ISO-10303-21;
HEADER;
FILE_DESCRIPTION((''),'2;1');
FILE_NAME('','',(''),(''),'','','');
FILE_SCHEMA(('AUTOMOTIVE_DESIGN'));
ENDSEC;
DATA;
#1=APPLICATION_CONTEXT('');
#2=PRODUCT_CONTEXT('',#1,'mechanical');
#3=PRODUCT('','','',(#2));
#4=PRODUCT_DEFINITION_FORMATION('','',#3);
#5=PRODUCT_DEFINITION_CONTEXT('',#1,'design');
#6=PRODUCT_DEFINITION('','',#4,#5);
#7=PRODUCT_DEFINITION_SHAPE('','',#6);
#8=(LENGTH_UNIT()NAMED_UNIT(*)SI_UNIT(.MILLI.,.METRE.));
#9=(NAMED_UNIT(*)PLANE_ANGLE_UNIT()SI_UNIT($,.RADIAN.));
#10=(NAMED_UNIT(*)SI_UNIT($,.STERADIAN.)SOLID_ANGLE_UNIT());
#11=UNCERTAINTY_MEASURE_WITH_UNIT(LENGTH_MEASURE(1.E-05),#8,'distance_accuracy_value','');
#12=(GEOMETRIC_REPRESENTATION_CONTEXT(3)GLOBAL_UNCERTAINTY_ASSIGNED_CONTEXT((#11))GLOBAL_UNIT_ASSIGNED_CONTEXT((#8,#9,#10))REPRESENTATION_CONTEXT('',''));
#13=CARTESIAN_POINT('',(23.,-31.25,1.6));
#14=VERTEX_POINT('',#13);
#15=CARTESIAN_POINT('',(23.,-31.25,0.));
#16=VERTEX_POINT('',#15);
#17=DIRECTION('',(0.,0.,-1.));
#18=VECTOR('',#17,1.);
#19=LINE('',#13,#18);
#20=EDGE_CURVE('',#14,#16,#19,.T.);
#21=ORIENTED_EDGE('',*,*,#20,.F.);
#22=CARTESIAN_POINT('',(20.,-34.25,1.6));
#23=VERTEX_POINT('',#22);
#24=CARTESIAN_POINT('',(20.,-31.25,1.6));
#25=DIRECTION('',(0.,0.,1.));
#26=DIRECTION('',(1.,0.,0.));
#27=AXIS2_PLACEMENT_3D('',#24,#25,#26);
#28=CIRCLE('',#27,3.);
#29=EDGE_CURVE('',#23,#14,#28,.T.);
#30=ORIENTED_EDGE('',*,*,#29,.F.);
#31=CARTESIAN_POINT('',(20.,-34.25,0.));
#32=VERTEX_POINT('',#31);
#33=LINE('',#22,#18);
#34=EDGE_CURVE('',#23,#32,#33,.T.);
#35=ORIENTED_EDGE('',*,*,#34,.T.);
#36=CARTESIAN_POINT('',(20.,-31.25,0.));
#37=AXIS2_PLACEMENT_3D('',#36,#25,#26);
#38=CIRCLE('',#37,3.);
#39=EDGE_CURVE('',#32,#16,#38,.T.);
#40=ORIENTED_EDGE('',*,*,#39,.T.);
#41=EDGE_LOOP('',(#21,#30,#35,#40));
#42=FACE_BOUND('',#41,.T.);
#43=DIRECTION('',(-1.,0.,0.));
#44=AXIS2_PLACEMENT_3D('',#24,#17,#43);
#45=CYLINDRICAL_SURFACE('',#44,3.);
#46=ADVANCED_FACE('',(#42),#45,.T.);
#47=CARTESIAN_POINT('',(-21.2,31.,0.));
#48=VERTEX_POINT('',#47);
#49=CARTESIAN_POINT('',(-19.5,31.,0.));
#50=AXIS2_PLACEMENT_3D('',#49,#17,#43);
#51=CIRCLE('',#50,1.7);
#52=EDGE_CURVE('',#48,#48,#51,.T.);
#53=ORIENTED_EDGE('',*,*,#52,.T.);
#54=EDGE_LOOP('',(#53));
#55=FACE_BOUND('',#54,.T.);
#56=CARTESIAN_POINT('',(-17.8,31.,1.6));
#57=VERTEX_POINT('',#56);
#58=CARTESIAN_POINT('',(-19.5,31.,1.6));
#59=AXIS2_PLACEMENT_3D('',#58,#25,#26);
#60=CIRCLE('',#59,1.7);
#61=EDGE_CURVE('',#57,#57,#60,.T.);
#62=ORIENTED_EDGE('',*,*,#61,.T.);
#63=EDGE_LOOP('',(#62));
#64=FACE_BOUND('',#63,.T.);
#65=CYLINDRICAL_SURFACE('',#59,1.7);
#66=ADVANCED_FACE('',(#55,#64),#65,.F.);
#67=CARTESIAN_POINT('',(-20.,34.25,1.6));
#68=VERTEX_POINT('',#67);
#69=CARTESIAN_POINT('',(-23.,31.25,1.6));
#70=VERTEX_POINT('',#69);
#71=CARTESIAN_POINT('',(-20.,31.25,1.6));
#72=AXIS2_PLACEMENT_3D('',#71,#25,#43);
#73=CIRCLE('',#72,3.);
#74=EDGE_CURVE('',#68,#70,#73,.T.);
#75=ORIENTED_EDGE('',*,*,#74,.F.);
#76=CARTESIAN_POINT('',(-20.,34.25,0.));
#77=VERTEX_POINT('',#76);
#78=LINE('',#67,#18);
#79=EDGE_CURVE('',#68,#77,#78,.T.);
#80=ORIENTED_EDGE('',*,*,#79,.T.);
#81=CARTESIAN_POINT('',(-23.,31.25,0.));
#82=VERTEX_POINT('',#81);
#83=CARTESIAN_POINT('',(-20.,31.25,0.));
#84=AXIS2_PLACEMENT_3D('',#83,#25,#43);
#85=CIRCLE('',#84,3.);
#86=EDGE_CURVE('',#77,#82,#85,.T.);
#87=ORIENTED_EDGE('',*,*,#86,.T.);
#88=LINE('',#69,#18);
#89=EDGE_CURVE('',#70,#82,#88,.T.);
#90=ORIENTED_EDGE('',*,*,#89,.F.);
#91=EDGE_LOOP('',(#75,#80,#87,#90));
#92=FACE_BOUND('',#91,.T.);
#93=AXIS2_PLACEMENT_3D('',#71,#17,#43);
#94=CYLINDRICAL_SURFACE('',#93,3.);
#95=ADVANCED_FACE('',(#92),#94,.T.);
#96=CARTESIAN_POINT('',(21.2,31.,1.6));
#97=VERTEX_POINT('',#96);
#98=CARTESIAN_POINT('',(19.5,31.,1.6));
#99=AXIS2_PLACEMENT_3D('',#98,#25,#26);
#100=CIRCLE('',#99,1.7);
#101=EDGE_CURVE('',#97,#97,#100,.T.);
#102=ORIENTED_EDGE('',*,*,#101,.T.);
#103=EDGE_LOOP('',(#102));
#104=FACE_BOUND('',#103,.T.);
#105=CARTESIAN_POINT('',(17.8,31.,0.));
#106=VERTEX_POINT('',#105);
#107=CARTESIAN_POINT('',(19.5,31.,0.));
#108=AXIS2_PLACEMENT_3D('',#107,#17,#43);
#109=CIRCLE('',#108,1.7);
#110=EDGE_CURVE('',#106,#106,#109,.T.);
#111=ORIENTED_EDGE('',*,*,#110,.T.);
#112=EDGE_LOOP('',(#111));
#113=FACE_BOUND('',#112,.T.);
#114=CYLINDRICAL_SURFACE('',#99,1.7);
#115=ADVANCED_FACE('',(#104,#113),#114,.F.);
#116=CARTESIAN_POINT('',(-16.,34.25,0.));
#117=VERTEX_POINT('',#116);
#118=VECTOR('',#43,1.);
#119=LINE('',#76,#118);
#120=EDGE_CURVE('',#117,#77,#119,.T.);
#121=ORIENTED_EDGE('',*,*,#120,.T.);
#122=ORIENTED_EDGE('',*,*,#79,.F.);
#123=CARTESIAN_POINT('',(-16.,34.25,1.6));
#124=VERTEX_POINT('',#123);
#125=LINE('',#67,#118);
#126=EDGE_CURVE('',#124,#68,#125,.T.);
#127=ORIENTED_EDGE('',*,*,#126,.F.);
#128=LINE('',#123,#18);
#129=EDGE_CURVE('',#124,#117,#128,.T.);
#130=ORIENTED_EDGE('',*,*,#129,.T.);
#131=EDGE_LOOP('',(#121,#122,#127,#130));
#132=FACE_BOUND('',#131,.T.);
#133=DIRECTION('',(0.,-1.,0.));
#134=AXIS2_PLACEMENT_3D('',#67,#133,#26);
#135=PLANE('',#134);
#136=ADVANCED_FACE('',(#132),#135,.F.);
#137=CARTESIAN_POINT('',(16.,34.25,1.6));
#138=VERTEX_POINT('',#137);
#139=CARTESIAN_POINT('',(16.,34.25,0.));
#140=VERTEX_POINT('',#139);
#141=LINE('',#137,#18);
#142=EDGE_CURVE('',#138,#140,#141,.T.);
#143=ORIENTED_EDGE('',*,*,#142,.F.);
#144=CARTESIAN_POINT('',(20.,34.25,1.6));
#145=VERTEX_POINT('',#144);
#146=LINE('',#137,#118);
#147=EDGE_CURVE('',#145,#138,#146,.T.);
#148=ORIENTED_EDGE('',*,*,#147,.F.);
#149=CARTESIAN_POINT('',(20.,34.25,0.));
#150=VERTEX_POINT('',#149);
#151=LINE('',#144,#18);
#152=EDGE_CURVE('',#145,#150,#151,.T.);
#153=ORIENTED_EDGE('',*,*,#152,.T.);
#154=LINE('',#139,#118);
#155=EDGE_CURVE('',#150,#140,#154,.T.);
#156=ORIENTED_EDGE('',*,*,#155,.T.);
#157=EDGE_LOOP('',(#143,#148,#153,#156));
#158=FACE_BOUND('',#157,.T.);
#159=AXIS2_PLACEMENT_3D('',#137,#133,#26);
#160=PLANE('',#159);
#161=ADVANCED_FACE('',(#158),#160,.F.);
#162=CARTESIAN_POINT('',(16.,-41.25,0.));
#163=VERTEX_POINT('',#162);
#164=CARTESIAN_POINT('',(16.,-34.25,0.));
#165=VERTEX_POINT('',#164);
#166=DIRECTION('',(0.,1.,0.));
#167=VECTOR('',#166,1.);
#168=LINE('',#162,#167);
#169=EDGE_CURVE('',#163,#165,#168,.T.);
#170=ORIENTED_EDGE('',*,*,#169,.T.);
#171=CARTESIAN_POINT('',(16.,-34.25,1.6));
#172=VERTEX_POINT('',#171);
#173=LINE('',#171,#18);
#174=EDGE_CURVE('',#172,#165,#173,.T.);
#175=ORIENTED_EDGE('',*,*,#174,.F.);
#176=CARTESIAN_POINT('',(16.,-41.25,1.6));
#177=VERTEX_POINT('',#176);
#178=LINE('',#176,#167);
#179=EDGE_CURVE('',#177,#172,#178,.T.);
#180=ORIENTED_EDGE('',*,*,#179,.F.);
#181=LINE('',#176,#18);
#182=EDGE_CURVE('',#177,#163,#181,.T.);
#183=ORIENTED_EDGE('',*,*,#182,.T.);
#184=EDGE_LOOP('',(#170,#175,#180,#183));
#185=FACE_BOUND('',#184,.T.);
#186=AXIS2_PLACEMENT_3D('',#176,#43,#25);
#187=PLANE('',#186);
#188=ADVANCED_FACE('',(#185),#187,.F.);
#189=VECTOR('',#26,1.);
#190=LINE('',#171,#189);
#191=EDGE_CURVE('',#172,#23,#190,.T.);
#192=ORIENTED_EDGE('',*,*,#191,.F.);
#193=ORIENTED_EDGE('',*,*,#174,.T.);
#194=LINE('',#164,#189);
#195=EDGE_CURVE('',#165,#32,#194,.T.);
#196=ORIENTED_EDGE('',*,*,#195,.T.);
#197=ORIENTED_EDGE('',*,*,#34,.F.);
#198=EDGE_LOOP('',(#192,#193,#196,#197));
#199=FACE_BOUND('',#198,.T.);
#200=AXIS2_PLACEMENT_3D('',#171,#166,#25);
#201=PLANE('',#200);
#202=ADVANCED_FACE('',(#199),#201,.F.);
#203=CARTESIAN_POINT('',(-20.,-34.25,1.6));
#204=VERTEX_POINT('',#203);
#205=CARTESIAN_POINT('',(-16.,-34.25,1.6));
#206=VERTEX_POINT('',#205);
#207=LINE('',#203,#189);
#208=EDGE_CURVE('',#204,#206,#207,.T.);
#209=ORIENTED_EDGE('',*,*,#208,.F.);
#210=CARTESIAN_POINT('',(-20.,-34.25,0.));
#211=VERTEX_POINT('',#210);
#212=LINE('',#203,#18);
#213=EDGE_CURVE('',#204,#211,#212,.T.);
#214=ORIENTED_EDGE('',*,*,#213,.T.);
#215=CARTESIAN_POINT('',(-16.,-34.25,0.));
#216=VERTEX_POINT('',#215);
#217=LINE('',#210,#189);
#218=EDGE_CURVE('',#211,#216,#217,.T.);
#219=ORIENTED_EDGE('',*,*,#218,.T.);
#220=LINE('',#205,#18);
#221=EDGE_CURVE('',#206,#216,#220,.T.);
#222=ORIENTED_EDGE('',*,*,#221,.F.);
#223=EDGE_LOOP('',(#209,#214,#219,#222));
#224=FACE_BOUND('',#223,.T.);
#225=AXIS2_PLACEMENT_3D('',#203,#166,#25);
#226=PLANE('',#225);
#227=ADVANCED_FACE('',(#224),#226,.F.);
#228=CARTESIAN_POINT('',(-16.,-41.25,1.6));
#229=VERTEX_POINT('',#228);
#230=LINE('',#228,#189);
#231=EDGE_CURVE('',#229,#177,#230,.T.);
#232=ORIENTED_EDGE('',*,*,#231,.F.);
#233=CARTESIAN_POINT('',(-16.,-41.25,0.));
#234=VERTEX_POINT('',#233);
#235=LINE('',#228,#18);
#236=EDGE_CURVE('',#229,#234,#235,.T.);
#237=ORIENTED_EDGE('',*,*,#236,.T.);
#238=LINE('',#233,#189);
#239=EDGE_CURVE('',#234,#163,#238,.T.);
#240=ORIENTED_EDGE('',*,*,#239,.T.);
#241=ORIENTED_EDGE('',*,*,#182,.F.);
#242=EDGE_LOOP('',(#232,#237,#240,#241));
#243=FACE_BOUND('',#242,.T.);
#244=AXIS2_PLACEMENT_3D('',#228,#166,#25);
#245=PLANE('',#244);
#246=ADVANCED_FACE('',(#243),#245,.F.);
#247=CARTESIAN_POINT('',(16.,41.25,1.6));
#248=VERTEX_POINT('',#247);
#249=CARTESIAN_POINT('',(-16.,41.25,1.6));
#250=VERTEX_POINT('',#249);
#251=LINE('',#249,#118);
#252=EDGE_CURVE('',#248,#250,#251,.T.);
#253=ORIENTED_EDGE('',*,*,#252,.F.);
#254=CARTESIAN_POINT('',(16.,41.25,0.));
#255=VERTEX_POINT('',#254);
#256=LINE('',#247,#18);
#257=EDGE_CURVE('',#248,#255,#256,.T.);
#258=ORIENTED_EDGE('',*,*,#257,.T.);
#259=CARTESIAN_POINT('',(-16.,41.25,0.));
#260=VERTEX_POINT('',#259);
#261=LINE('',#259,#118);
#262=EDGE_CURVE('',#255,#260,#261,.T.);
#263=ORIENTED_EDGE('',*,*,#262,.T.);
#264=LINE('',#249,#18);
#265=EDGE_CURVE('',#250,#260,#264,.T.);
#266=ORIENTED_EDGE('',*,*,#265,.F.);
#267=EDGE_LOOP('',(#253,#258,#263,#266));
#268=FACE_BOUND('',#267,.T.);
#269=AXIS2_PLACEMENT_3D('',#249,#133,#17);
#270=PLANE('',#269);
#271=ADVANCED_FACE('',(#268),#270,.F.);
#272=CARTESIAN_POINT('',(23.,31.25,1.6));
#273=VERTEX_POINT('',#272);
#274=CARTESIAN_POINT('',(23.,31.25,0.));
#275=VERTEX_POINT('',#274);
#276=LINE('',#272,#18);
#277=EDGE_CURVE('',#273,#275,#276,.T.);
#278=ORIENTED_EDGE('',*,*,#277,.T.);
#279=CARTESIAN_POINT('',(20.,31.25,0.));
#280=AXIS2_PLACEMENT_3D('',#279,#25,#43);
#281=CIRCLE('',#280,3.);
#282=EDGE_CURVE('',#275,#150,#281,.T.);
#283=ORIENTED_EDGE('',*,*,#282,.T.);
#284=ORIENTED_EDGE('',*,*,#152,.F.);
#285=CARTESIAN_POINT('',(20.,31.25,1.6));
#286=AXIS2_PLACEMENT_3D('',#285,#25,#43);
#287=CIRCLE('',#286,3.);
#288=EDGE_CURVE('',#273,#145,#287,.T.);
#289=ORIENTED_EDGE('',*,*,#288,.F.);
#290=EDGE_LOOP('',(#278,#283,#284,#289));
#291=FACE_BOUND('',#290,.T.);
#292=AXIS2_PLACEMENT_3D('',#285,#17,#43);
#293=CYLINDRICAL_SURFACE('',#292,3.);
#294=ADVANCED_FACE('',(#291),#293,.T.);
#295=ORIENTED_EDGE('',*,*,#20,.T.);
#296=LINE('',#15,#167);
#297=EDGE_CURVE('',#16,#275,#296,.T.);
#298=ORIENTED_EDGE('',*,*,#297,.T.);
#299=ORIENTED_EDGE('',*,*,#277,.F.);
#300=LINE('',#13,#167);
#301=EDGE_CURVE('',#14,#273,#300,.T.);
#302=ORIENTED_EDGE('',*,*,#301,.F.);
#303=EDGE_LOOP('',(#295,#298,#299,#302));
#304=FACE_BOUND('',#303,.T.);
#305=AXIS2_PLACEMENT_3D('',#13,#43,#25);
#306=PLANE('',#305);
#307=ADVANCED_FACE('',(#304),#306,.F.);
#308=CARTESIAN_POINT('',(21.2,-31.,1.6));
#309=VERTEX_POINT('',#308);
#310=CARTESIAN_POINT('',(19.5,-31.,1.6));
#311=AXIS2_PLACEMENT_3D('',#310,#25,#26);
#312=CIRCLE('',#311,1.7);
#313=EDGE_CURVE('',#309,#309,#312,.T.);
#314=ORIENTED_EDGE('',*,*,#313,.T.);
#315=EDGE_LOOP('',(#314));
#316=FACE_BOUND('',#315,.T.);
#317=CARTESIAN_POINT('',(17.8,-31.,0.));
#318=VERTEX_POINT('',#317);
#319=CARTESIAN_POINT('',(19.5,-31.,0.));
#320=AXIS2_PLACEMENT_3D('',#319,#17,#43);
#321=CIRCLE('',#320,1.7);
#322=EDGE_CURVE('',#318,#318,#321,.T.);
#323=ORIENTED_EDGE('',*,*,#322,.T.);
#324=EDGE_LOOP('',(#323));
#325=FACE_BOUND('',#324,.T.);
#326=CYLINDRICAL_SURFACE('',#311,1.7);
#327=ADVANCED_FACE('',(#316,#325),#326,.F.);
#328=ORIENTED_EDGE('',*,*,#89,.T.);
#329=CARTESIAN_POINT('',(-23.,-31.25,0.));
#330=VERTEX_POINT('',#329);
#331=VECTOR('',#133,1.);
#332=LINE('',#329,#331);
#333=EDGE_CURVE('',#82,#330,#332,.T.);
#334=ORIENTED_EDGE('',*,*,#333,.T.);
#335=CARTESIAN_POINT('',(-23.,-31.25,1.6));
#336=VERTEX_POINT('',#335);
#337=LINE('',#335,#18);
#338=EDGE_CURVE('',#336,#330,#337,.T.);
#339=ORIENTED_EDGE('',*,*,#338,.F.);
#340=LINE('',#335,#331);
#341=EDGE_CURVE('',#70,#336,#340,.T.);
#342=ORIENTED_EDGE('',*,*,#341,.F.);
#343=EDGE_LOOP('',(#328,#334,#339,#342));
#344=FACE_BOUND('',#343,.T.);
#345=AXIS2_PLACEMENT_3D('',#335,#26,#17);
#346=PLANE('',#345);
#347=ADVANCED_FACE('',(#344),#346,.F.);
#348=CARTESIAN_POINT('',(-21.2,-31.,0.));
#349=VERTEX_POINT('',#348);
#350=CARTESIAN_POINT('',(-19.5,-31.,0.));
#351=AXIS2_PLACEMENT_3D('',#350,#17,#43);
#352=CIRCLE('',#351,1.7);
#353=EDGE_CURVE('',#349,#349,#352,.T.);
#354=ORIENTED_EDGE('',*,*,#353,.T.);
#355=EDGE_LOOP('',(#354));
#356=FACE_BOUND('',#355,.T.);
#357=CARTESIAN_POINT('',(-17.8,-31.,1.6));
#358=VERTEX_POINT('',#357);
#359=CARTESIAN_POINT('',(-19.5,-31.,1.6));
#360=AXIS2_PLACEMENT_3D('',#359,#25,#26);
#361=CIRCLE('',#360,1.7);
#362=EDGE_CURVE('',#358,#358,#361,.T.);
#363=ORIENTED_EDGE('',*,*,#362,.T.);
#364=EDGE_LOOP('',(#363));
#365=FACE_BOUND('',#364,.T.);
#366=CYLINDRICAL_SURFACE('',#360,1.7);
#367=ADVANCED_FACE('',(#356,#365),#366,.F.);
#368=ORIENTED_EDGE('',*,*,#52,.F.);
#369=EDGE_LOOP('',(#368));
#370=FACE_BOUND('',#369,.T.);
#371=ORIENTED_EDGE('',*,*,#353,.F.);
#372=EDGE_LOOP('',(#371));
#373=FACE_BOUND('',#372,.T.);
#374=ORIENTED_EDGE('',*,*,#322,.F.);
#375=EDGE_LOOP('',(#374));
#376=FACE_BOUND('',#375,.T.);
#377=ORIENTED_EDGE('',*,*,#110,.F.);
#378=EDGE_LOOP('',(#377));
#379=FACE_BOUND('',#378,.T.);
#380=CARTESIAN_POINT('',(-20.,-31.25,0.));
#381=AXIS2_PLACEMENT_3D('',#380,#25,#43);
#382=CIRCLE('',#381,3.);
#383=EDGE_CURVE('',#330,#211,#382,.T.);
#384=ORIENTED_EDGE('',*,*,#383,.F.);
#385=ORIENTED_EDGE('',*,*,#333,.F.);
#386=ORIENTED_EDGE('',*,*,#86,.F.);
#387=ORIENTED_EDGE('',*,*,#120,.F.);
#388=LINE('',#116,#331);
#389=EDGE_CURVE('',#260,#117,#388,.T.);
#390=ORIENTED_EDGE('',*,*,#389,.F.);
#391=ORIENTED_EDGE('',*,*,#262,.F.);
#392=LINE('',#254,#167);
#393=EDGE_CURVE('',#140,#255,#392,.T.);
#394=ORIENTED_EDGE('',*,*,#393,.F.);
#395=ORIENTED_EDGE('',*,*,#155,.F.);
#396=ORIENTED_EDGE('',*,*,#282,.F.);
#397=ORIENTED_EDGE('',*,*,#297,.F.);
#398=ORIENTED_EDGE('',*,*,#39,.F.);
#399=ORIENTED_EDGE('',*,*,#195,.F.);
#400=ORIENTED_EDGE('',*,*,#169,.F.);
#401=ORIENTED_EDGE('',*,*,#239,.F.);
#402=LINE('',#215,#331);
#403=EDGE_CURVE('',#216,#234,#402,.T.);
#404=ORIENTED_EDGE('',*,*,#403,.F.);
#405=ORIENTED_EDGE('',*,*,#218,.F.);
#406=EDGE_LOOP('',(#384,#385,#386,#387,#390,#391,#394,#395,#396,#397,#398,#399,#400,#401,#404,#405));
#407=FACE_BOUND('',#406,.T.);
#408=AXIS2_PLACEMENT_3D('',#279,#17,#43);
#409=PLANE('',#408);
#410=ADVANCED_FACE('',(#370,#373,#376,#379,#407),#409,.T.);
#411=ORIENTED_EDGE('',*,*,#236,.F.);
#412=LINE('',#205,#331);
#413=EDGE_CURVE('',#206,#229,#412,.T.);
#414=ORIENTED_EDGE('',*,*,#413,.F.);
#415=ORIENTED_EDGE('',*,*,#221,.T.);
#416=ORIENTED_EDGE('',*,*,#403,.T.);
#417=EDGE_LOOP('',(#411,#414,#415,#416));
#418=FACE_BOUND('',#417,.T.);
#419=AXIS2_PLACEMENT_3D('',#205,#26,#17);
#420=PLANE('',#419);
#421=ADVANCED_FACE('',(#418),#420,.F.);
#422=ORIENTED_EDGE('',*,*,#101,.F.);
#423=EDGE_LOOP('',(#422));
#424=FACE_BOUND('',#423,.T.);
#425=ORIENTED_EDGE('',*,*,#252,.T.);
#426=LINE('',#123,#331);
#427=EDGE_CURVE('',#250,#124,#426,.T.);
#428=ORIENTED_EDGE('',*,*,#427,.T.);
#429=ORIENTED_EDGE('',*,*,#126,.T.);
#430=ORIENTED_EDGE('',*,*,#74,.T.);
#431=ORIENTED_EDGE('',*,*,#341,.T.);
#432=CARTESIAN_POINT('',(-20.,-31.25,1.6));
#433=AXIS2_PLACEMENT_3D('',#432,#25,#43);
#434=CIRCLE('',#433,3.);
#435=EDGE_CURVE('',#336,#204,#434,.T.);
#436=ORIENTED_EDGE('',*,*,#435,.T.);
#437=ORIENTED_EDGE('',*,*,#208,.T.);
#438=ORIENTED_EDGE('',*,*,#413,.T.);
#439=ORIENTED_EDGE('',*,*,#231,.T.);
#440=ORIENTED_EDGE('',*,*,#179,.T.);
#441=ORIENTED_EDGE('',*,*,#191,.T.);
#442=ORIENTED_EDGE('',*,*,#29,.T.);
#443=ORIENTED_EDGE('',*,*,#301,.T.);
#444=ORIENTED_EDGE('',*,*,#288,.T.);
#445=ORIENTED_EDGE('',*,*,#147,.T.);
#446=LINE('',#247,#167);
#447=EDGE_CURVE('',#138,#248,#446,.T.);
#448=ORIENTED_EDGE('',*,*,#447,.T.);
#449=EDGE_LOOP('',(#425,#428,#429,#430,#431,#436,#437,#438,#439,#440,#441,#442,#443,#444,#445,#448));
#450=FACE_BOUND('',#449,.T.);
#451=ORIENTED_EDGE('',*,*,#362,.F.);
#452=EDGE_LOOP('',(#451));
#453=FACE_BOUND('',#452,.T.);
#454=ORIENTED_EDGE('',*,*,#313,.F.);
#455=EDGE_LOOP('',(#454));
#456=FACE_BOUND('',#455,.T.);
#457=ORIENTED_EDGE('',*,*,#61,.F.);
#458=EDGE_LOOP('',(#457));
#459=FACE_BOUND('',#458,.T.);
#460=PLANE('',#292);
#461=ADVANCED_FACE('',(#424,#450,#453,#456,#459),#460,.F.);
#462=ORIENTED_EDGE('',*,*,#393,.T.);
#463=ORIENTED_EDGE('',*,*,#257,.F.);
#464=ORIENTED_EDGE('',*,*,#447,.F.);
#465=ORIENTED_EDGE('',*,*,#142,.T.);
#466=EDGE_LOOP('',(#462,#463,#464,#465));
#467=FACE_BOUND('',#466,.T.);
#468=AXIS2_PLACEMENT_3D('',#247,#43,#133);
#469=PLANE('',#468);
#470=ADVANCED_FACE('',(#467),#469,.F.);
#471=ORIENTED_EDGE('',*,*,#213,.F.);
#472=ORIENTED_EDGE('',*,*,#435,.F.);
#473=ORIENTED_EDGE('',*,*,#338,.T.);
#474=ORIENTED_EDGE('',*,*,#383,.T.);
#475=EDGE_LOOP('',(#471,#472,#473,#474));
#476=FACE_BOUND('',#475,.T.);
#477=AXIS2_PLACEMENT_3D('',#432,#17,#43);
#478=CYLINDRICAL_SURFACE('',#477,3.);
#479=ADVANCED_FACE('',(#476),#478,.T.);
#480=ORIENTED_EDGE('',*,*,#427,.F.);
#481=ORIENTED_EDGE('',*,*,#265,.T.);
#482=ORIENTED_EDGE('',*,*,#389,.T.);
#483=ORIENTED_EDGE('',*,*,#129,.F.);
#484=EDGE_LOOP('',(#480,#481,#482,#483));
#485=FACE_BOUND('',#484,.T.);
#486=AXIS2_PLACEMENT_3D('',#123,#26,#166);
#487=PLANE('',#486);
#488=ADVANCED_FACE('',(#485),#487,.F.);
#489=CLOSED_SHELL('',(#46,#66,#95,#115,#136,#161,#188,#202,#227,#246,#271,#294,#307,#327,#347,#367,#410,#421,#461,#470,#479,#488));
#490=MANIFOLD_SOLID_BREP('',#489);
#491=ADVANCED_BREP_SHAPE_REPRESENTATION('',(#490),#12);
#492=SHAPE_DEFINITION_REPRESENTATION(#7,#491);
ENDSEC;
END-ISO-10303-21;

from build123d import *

# Parameters (mm, degrees)
EXTRUDE_1_DEPTH       = 1.6
HOLE_WIZARD_M31_D     = 3.4
HOLE_WIZARD_M31_DEPTH = 10
HOLE_WIZARD_M31_TIP   = 1.021463052


with BuildPart() as part:
    # Эскиз1 → Бобышка-Вытянуть1 (new body)
    with BuildSketch(Plane.XY):
        with BuildLine():
            Line((-16, 34.25), (-16, 41.25))
            Line((-16, 41.25), (16, 41.25))
            Line((16, 41.25), (16, 34.25))
            Line((16, 34.25), (20, 34.25))
            ThreePointArc((20, 34.25), (22.121320344, 33.371320344), (23, 31.25))
            Line((23, 31.25), (23, -31.25))
            ThreePointArc((23, -31.25), (22.121320344, -33.371320344), (20, -34.25))
            Line((20, -34.25), (16, -34.25))
            Line((16, -34.25), (16, -41.25))
            Line((16, -41.25), (-16, -41.25))
            Line((-16, -41.25), (-16, -34.25))
            Line((-16, -34.25), (-20, -34.25))
            ThreePointArc((-20, -34.25), (-22.121320344, -33.371320344), (-23, -31.25))
            Line((-23, -31.25), (-23, 31.25))
            ThreePointArc((-23, 31.25), (-22.121320344, 33.371320344), (-20, 34.25))
            Line((-20, 34.25), (-16, 34.25))
        make_face()
    extrude(amount=EXTRUDE_1_DEPTH)

    # Отверстие с зазором M31
    with Locations(Plane.XY.offset(1.6)):
        with Locations((-19.5, 31), (19.5, 31), (19.5, -31), (-19.5, -31)):
            Hole(HOLE_WIZARD_M31_D / 2, depth=HOLE_WIZARD_M31_DEPTH)
            with Locations((0, 0, -(HOLE_WIZARD_M31_DEPTH + HOLE_WIZARD_M31_TIP / 2))):  # 118° drill point
                Cone(0, HOLE_WIZARD_M31_D / 2, HOLE_WIZARD_M31_TIP, mode=Mode.SUBTRACT)


solid = part.part
